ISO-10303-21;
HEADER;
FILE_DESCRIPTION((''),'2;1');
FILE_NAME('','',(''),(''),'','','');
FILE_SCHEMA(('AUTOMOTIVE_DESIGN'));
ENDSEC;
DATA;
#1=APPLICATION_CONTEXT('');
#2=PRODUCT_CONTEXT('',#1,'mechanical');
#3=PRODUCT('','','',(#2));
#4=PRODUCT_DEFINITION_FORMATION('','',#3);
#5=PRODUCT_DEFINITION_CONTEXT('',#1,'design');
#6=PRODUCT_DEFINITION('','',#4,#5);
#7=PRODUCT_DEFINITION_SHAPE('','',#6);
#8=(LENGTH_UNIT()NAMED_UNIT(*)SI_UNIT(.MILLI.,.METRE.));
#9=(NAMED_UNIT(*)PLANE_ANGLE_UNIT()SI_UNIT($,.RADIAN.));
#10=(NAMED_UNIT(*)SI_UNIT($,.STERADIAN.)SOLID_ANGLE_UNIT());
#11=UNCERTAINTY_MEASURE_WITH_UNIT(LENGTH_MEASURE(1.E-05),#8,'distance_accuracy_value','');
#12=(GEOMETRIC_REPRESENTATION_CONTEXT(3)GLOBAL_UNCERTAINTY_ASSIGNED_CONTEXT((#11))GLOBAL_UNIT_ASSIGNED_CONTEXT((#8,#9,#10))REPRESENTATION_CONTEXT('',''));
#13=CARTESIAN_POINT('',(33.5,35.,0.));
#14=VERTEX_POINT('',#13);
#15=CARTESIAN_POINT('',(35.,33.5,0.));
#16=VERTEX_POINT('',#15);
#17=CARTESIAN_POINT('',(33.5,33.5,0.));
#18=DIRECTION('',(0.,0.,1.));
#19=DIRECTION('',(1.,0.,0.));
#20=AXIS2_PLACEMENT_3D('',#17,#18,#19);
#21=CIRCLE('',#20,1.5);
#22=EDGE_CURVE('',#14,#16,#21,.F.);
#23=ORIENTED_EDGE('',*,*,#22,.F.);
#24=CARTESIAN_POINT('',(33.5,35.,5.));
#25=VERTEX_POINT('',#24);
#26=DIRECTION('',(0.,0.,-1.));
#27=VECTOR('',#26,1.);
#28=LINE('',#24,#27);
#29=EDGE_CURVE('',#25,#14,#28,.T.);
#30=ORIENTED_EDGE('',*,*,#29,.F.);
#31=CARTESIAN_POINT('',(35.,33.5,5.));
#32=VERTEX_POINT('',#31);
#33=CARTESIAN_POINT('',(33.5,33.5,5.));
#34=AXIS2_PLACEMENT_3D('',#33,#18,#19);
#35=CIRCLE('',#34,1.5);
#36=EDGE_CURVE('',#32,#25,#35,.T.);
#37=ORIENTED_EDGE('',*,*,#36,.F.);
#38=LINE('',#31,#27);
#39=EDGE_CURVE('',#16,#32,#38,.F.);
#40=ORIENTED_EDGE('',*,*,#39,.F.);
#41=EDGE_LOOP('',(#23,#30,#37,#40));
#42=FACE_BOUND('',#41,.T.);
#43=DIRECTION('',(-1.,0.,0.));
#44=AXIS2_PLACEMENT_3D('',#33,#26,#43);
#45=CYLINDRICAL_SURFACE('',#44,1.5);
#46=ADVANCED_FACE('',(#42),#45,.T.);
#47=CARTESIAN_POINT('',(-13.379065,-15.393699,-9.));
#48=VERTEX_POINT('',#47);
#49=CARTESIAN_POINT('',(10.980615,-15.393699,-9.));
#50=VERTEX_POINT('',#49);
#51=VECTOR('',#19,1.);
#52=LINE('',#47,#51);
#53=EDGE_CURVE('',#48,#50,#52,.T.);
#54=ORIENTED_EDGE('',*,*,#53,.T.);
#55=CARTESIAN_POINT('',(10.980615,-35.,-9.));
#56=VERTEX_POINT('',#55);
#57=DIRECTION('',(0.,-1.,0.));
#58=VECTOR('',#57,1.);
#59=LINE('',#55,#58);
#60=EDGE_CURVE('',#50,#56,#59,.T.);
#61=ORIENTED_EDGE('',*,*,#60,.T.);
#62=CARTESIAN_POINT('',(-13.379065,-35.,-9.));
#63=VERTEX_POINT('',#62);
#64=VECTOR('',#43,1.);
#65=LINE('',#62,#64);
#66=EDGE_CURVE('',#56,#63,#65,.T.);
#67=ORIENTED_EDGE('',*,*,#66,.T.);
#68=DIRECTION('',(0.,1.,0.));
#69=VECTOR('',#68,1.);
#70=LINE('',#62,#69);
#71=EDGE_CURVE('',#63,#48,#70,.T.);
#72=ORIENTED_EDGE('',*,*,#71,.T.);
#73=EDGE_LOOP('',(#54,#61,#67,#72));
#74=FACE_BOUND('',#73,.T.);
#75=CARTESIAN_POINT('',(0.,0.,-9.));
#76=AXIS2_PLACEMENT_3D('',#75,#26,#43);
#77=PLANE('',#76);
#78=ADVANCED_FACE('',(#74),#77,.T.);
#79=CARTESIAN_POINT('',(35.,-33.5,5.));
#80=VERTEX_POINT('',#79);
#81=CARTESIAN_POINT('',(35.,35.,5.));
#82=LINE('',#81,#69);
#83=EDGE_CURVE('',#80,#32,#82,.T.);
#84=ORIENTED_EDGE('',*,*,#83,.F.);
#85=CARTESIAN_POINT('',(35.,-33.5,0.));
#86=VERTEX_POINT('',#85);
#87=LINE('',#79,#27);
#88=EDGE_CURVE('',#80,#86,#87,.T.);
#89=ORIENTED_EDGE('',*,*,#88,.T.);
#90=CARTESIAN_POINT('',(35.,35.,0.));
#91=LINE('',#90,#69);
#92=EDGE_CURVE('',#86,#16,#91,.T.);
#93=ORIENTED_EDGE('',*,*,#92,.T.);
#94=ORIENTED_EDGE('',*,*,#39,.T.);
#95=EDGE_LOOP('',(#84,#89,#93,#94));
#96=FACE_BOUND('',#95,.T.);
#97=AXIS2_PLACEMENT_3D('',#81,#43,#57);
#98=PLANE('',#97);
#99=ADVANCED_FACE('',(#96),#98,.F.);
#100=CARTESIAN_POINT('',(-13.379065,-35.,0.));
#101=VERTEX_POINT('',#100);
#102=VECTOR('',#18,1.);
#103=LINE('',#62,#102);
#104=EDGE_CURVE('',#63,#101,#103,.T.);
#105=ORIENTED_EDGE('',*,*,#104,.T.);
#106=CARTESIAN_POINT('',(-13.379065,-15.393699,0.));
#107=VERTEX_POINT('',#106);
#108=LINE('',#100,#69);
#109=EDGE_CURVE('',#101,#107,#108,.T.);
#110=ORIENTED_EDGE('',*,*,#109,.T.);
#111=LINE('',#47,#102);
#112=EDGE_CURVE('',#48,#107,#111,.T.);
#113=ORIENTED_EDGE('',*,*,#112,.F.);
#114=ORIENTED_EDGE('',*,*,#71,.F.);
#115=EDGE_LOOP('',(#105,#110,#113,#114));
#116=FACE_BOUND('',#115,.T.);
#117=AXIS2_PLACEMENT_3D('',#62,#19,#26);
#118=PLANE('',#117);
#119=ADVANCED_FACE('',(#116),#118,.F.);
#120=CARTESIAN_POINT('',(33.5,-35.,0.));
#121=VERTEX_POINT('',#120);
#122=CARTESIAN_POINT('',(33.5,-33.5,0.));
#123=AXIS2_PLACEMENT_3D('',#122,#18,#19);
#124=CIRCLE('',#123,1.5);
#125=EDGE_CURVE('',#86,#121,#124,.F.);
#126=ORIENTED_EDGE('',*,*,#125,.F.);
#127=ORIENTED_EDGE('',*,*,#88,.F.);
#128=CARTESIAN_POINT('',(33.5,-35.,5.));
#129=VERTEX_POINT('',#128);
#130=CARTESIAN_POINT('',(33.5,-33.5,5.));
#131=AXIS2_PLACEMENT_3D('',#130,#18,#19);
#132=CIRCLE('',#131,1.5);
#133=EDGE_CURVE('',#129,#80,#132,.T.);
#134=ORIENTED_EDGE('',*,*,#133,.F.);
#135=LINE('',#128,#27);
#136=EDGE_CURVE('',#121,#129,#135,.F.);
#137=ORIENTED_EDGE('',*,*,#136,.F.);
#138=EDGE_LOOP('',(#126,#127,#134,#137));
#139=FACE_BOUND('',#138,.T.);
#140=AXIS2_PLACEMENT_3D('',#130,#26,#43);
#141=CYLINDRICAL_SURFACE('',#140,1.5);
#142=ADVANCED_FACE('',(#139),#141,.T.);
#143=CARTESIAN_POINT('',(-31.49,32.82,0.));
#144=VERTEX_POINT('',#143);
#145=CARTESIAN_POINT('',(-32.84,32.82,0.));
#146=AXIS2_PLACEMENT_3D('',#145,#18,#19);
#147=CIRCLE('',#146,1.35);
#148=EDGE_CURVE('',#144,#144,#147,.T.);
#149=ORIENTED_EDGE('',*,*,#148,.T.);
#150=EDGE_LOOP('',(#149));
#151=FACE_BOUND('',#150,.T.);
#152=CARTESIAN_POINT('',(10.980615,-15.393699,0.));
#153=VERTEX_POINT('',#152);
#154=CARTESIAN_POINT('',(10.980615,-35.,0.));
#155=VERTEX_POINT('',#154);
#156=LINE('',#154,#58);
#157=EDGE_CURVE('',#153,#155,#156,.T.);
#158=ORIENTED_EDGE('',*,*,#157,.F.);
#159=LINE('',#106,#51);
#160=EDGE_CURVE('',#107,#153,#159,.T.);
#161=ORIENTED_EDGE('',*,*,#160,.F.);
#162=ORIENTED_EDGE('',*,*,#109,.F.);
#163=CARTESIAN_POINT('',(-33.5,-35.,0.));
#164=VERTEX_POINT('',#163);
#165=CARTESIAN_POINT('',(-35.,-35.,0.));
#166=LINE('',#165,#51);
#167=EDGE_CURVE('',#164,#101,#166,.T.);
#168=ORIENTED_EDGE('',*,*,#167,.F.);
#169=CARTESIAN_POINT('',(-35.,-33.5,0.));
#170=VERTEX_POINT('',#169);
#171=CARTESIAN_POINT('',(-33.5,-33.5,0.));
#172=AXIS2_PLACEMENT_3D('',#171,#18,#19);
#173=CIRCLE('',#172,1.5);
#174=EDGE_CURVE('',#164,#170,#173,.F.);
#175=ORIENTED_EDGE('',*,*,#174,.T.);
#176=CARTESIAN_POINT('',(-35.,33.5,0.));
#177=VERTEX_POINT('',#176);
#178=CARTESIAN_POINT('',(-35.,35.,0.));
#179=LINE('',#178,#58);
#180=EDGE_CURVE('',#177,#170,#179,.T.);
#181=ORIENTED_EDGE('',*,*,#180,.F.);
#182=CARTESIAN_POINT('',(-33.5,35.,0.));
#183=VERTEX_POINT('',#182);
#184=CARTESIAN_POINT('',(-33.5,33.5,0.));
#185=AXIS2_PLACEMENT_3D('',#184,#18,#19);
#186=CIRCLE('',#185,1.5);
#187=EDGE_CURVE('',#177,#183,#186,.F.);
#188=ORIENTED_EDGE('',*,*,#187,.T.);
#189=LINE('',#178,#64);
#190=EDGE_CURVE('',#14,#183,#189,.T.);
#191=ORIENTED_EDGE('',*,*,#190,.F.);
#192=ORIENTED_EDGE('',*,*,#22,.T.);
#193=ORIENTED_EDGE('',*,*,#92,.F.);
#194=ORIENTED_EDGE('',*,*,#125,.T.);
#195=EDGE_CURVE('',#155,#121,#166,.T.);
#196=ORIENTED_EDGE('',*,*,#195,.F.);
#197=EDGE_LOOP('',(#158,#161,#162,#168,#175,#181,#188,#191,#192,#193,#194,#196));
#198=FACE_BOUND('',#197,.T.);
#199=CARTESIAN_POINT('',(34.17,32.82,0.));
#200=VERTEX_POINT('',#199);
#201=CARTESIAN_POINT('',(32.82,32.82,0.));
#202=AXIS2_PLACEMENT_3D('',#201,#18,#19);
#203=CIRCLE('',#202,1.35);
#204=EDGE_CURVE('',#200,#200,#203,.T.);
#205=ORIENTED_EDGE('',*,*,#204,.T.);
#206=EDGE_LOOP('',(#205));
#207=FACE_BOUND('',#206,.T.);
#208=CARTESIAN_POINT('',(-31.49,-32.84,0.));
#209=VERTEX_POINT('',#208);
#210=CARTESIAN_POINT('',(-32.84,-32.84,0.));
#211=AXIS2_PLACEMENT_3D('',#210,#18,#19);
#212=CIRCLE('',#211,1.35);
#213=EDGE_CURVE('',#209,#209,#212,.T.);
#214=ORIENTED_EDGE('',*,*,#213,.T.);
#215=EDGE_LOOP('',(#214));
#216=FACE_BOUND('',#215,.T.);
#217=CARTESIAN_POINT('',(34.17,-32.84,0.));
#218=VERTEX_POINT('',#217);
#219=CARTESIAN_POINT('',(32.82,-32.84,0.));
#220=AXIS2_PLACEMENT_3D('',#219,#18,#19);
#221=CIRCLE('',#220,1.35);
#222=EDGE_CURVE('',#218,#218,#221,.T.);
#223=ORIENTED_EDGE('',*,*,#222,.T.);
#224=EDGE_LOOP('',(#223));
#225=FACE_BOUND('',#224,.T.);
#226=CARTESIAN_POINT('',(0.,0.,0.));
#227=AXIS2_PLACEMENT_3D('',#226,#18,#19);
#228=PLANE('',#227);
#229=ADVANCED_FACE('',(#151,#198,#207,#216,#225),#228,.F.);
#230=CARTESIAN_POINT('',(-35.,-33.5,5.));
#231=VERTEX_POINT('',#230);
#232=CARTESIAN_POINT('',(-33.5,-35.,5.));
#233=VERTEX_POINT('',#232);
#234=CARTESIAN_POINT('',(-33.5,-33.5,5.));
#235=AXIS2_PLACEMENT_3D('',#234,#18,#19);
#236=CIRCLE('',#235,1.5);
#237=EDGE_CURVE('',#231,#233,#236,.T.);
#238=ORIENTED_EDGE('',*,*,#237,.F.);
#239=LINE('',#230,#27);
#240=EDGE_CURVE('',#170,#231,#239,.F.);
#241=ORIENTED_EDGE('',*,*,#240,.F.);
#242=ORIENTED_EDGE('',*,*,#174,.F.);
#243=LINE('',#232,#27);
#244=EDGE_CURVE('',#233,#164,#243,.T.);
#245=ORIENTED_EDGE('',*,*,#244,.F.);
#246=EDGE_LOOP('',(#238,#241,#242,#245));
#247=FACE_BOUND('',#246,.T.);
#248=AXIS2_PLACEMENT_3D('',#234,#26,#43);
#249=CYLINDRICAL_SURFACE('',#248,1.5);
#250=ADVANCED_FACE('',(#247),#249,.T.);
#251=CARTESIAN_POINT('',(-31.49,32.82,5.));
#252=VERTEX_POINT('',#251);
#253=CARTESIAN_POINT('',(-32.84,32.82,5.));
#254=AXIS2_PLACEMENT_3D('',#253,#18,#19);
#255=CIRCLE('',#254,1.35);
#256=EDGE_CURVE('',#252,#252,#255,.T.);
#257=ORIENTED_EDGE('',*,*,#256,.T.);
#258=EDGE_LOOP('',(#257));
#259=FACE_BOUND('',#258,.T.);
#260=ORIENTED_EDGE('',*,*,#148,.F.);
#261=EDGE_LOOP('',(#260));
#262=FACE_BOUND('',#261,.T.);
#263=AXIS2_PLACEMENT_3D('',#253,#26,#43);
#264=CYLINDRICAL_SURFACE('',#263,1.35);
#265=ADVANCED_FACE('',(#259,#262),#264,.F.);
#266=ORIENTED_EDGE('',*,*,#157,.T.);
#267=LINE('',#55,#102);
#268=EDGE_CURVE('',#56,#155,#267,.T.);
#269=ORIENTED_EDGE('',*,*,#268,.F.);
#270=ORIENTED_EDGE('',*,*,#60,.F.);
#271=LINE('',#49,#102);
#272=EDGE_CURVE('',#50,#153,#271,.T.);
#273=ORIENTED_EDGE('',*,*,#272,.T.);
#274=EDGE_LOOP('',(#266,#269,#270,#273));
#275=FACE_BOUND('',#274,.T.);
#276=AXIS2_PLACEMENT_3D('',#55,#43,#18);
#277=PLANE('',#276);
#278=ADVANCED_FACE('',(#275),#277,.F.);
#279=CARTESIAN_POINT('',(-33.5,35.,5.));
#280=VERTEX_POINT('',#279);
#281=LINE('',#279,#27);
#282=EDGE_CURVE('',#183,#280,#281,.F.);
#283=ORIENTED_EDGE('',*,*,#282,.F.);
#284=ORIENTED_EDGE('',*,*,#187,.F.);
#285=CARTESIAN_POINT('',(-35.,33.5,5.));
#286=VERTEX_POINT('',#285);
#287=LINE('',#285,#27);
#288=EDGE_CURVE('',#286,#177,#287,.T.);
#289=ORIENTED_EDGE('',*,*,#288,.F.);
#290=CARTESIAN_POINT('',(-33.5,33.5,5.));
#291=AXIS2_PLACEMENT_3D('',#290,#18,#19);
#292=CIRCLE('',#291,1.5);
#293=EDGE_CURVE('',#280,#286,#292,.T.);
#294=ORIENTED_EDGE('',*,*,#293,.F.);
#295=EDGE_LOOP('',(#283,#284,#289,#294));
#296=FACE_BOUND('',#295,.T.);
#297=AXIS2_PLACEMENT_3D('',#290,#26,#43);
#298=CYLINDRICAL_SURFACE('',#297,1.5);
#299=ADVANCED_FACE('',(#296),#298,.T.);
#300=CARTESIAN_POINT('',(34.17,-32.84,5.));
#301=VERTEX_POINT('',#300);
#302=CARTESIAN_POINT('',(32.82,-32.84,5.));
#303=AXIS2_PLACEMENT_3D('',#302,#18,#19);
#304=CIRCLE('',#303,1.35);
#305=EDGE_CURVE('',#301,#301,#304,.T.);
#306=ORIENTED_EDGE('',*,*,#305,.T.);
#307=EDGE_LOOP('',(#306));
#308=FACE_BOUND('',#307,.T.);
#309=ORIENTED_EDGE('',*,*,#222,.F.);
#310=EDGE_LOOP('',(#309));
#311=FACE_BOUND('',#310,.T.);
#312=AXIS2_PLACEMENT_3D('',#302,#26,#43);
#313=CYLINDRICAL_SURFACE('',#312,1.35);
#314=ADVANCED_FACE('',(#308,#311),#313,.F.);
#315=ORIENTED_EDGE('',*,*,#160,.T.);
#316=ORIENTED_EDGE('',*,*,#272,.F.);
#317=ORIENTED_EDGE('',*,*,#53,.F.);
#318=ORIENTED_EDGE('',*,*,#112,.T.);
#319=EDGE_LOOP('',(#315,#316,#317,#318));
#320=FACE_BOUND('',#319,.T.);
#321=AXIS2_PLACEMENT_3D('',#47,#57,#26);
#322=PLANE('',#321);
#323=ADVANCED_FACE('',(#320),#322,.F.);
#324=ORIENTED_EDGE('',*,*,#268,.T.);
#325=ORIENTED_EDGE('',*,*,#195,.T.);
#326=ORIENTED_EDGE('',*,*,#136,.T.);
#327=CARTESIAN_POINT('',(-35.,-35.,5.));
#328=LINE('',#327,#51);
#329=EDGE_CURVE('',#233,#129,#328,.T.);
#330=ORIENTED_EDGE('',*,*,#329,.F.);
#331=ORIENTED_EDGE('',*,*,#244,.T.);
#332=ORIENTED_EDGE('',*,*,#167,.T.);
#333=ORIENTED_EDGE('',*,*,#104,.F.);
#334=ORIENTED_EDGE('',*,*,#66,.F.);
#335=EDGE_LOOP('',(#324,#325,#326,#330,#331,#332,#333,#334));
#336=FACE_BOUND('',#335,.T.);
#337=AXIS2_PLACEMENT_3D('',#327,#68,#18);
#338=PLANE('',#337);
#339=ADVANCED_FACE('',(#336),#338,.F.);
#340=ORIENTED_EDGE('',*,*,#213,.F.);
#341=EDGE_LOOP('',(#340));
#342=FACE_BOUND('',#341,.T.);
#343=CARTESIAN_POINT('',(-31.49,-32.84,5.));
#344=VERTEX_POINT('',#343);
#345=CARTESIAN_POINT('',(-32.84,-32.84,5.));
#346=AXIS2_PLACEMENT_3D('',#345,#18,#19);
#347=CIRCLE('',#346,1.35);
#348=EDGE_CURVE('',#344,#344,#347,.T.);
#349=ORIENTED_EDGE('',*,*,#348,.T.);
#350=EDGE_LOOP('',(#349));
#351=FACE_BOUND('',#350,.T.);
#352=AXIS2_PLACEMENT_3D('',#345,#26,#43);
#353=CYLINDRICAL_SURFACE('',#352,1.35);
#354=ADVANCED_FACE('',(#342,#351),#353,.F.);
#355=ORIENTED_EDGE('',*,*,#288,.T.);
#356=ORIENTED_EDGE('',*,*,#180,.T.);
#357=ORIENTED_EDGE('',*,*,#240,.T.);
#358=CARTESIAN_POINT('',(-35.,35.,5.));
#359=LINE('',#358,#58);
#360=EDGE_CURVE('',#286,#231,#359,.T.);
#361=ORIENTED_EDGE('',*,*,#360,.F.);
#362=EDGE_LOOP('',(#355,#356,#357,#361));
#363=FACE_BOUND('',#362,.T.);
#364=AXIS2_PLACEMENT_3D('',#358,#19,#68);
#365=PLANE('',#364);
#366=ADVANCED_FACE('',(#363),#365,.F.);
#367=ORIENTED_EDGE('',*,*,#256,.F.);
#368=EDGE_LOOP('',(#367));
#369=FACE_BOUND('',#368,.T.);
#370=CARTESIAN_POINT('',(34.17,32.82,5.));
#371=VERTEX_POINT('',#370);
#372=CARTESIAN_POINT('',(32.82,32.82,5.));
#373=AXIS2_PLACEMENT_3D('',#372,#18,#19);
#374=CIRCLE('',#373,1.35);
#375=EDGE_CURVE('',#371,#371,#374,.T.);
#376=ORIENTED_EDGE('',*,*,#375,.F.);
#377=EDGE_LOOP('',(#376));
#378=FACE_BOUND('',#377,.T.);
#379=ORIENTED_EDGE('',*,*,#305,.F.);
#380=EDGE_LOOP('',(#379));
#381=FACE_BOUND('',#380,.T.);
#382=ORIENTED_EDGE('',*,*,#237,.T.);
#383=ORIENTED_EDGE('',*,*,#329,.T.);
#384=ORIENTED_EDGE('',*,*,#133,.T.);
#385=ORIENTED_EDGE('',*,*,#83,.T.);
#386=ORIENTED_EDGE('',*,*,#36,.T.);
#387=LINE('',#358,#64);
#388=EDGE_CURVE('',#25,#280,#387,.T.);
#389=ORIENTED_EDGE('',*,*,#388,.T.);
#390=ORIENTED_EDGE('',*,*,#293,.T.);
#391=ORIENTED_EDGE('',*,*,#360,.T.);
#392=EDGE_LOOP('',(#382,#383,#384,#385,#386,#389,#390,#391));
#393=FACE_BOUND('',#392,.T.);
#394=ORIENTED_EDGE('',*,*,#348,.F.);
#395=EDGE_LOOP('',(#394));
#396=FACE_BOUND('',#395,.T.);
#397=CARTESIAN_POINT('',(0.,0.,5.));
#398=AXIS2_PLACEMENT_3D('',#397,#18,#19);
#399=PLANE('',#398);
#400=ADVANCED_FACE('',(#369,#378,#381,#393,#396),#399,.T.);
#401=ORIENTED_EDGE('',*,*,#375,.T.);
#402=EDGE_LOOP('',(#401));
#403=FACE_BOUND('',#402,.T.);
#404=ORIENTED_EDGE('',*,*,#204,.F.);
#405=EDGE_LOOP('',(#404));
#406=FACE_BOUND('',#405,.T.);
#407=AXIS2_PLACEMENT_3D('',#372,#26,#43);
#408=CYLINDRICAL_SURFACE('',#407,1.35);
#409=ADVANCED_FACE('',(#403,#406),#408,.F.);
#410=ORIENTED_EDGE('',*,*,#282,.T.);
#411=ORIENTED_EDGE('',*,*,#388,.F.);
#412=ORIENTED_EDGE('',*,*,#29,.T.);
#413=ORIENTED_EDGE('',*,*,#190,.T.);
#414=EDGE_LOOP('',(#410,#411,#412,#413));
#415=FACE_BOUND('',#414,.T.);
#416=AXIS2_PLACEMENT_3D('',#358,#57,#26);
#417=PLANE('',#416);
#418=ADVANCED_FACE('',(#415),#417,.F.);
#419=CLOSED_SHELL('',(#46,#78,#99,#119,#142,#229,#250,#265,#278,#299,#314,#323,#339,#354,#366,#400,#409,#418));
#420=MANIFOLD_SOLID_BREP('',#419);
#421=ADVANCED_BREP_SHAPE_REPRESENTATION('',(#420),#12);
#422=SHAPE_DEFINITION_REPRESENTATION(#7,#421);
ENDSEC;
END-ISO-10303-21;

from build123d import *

# Parameters (mm, degrees)
SKETCH1_W           = 70
SKETCH1_H           = 70
SKETCH1_R           = 1.35
BOSS_EXTRUDE1_DEPTH = 5
FILLET1_R           = 1.5
SKETCH2_W           = 24.359680225
SKETCH2_H           = 19.606300568
BOSS_EXTRUDE2_DEPTH = 9


with BuildPart() as part:
    # Sketch1 → Boss-Extrude1 (new body)
    with BuildSketch(Plane.XY):
        Rectangle(SKETCH1_W, SKETCH1_H)
        with Locations((-32.84, 32.82)):
            Circle(SKETCH1_R, mode=Mode.SUBTRACT)
        with Locations((-32.84, -32.84)):
            Circle(SKETCH1_R, mode=Mode.SUBTRACT)
        with Locations((32.82, -32.84)):
            Circle(SKETCH1_R, mode=Mode.SUBTRACT)
        with Locations((32.82, 32.82)):
            Circle(SKETCH1_R, mode=Mode.SUBTRACT)
    extrude(amount=BOSS_EXTRUDE1_DEPTH)

    # Fillet1
    fillet1_edges = [part.edges().sort_by_distance(p)[0] for p in [
        (35, -35, 2.5),
        (-35, -35, 2.5),
        (-35, 35, 2.5),
        (35, 35, 2.5),
    ]]
    fillet(fillet1_edges, radius=FILLET1_R)

    # Sketch2 → Boss-Extrude2 (add)
    with BuildSketch(Plane(origin=(0, 0, 0), x_dir=(-1, 0, 0), z_dir=(0, 0, -1))):
        with Locations((1.199225338, -25.196849716)):
            Rectangle(SKETCH2_W, SKETCH2_H)
    extrude(amount=BOSS_EXTRUDE2_DEPTH)


solid = part.part
